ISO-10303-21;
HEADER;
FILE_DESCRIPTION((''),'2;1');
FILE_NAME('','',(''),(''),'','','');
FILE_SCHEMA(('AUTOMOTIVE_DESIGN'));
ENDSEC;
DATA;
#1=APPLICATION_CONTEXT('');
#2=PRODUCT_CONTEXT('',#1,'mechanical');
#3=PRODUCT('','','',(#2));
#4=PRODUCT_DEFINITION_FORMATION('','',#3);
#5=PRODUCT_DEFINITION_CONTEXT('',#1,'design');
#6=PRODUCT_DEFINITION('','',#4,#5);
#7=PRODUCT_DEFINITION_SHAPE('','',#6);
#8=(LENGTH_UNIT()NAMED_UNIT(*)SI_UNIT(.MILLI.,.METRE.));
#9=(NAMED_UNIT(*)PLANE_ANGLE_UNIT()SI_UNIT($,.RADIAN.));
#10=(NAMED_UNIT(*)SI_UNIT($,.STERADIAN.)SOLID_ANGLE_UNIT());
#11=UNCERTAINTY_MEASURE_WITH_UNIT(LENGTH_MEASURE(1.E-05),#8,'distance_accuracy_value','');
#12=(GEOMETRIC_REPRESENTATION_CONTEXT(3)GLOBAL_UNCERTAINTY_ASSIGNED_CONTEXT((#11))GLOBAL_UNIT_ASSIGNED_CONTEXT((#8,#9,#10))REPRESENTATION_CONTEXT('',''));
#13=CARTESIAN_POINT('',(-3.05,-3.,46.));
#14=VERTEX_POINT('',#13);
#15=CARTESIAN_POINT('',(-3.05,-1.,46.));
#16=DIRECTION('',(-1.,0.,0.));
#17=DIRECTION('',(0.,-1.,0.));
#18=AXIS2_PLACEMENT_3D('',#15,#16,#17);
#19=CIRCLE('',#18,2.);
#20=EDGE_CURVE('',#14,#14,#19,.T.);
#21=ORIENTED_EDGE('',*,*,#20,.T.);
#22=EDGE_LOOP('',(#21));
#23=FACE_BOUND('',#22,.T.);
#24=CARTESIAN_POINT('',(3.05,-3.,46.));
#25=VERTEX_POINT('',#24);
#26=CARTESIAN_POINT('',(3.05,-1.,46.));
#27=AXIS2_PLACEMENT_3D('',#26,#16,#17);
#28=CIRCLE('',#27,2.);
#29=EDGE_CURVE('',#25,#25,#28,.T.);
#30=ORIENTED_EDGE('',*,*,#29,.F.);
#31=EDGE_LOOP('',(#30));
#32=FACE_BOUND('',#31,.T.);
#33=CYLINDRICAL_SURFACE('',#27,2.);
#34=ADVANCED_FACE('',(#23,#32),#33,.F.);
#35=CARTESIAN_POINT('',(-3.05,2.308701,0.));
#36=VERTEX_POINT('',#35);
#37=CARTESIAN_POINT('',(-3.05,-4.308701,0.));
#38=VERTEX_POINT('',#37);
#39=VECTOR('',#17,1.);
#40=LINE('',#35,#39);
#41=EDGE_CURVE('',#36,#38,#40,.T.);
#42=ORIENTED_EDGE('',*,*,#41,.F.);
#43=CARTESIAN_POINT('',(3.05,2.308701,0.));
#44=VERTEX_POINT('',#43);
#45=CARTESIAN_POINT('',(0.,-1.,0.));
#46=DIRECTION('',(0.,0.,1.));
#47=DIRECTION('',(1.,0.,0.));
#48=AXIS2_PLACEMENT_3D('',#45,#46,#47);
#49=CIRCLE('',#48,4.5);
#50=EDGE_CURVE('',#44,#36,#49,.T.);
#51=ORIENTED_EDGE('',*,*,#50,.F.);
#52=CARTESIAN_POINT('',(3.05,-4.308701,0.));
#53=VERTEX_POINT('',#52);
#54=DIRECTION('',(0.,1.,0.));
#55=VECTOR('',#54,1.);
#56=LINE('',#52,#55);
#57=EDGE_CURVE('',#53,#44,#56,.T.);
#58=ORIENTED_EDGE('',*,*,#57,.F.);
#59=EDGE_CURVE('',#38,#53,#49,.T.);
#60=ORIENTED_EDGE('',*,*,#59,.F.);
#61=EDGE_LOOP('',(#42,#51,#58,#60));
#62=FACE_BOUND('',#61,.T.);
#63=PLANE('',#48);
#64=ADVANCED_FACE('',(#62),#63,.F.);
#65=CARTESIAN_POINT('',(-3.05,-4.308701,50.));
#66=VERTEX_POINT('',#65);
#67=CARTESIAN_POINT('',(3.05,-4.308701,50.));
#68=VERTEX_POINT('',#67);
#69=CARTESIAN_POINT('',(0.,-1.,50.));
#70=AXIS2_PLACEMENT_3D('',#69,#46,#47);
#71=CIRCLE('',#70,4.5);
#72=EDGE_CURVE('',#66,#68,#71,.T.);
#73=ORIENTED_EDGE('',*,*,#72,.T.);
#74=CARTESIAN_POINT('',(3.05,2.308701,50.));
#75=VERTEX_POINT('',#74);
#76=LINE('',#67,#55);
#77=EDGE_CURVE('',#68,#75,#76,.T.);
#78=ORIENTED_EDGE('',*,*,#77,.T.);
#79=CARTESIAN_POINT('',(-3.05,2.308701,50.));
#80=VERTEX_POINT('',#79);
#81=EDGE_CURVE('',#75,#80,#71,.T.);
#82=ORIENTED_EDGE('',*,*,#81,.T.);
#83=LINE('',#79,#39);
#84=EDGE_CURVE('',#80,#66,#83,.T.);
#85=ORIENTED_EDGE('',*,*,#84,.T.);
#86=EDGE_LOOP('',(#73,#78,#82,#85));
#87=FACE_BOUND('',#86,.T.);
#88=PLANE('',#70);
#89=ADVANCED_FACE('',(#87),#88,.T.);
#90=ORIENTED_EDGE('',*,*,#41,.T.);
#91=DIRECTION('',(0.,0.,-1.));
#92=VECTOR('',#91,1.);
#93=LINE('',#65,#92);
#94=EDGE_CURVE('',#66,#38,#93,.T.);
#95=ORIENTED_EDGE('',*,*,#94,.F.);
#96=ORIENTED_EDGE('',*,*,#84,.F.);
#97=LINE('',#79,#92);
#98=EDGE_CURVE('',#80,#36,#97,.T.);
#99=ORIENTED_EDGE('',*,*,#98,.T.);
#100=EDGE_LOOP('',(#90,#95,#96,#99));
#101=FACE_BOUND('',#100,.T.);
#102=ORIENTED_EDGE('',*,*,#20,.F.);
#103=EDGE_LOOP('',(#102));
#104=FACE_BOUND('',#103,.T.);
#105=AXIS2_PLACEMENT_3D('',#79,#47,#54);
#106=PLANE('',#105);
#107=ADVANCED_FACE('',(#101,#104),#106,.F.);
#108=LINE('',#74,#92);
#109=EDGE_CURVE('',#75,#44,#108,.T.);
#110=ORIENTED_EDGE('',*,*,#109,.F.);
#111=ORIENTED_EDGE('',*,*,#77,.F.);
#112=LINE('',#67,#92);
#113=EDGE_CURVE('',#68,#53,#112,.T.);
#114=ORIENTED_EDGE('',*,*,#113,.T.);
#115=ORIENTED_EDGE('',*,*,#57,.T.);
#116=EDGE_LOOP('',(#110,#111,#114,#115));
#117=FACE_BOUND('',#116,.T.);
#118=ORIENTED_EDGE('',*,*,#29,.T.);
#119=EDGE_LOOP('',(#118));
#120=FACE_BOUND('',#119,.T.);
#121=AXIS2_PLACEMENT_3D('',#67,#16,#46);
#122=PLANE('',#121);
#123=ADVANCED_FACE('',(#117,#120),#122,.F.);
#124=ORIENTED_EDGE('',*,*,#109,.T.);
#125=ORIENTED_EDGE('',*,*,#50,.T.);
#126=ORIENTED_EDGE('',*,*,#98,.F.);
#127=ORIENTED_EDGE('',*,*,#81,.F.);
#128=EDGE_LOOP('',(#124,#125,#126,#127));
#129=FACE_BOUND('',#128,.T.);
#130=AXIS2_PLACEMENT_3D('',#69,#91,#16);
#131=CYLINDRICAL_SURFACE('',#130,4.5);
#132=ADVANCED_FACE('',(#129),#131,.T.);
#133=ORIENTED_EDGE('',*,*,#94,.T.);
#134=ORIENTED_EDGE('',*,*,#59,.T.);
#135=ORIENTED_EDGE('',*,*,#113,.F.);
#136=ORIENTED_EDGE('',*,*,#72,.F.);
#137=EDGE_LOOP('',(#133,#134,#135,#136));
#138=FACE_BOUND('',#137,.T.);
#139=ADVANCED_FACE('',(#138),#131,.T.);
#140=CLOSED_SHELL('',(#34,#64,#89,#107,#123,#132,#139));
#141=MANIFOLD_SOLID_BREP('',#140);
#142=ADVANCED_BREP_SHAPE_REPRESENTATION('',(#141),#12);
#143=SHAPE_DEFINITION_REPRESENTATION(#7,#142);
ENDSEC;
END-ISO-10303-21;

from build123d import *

# Parameters (mm, degrees)
EXTRUDE_1_DEPTH     = 50
SKETCH_2_R          = 2
CUT_EXTRUDE_1_DEPTH = 51.670109532


with BuildPart() as part:
    # Эскиз1 → Бобышка-Вытянуть1 (new body)
    with BuildSketch(Plane.XY):
        with BuildLine():
            Line((-3.05, 2.308700651), (-3.05, -4.308700651))
            ThreePointArc((-3.05, -4.308700651), (0, -5.5), (3.05, -4.308700651))
            Line((3.05, -4.308700651), (3.05, 2.308700651))
            ThreePointArc((3.05, 2.308700651), (0, 3.5), (-3.05, 2.308700651))
        make_face()
    extrude(amount=EXTRUDE_1_DEPTH)

    # Эскиз2 → Вырез-Вытянуть1 (cut, through all)
    with BuildSketch(Plane.ZY.offset(3.05)):
        with Locations(Location((46, -1, 0), (0, 0, 270))):
            Circle(SKETCH_2_R)
    extrude(amount=-CUT_EXTRUDE_1_DEPTH, mode=Mode.SUBTRACT)


solid = part.part
